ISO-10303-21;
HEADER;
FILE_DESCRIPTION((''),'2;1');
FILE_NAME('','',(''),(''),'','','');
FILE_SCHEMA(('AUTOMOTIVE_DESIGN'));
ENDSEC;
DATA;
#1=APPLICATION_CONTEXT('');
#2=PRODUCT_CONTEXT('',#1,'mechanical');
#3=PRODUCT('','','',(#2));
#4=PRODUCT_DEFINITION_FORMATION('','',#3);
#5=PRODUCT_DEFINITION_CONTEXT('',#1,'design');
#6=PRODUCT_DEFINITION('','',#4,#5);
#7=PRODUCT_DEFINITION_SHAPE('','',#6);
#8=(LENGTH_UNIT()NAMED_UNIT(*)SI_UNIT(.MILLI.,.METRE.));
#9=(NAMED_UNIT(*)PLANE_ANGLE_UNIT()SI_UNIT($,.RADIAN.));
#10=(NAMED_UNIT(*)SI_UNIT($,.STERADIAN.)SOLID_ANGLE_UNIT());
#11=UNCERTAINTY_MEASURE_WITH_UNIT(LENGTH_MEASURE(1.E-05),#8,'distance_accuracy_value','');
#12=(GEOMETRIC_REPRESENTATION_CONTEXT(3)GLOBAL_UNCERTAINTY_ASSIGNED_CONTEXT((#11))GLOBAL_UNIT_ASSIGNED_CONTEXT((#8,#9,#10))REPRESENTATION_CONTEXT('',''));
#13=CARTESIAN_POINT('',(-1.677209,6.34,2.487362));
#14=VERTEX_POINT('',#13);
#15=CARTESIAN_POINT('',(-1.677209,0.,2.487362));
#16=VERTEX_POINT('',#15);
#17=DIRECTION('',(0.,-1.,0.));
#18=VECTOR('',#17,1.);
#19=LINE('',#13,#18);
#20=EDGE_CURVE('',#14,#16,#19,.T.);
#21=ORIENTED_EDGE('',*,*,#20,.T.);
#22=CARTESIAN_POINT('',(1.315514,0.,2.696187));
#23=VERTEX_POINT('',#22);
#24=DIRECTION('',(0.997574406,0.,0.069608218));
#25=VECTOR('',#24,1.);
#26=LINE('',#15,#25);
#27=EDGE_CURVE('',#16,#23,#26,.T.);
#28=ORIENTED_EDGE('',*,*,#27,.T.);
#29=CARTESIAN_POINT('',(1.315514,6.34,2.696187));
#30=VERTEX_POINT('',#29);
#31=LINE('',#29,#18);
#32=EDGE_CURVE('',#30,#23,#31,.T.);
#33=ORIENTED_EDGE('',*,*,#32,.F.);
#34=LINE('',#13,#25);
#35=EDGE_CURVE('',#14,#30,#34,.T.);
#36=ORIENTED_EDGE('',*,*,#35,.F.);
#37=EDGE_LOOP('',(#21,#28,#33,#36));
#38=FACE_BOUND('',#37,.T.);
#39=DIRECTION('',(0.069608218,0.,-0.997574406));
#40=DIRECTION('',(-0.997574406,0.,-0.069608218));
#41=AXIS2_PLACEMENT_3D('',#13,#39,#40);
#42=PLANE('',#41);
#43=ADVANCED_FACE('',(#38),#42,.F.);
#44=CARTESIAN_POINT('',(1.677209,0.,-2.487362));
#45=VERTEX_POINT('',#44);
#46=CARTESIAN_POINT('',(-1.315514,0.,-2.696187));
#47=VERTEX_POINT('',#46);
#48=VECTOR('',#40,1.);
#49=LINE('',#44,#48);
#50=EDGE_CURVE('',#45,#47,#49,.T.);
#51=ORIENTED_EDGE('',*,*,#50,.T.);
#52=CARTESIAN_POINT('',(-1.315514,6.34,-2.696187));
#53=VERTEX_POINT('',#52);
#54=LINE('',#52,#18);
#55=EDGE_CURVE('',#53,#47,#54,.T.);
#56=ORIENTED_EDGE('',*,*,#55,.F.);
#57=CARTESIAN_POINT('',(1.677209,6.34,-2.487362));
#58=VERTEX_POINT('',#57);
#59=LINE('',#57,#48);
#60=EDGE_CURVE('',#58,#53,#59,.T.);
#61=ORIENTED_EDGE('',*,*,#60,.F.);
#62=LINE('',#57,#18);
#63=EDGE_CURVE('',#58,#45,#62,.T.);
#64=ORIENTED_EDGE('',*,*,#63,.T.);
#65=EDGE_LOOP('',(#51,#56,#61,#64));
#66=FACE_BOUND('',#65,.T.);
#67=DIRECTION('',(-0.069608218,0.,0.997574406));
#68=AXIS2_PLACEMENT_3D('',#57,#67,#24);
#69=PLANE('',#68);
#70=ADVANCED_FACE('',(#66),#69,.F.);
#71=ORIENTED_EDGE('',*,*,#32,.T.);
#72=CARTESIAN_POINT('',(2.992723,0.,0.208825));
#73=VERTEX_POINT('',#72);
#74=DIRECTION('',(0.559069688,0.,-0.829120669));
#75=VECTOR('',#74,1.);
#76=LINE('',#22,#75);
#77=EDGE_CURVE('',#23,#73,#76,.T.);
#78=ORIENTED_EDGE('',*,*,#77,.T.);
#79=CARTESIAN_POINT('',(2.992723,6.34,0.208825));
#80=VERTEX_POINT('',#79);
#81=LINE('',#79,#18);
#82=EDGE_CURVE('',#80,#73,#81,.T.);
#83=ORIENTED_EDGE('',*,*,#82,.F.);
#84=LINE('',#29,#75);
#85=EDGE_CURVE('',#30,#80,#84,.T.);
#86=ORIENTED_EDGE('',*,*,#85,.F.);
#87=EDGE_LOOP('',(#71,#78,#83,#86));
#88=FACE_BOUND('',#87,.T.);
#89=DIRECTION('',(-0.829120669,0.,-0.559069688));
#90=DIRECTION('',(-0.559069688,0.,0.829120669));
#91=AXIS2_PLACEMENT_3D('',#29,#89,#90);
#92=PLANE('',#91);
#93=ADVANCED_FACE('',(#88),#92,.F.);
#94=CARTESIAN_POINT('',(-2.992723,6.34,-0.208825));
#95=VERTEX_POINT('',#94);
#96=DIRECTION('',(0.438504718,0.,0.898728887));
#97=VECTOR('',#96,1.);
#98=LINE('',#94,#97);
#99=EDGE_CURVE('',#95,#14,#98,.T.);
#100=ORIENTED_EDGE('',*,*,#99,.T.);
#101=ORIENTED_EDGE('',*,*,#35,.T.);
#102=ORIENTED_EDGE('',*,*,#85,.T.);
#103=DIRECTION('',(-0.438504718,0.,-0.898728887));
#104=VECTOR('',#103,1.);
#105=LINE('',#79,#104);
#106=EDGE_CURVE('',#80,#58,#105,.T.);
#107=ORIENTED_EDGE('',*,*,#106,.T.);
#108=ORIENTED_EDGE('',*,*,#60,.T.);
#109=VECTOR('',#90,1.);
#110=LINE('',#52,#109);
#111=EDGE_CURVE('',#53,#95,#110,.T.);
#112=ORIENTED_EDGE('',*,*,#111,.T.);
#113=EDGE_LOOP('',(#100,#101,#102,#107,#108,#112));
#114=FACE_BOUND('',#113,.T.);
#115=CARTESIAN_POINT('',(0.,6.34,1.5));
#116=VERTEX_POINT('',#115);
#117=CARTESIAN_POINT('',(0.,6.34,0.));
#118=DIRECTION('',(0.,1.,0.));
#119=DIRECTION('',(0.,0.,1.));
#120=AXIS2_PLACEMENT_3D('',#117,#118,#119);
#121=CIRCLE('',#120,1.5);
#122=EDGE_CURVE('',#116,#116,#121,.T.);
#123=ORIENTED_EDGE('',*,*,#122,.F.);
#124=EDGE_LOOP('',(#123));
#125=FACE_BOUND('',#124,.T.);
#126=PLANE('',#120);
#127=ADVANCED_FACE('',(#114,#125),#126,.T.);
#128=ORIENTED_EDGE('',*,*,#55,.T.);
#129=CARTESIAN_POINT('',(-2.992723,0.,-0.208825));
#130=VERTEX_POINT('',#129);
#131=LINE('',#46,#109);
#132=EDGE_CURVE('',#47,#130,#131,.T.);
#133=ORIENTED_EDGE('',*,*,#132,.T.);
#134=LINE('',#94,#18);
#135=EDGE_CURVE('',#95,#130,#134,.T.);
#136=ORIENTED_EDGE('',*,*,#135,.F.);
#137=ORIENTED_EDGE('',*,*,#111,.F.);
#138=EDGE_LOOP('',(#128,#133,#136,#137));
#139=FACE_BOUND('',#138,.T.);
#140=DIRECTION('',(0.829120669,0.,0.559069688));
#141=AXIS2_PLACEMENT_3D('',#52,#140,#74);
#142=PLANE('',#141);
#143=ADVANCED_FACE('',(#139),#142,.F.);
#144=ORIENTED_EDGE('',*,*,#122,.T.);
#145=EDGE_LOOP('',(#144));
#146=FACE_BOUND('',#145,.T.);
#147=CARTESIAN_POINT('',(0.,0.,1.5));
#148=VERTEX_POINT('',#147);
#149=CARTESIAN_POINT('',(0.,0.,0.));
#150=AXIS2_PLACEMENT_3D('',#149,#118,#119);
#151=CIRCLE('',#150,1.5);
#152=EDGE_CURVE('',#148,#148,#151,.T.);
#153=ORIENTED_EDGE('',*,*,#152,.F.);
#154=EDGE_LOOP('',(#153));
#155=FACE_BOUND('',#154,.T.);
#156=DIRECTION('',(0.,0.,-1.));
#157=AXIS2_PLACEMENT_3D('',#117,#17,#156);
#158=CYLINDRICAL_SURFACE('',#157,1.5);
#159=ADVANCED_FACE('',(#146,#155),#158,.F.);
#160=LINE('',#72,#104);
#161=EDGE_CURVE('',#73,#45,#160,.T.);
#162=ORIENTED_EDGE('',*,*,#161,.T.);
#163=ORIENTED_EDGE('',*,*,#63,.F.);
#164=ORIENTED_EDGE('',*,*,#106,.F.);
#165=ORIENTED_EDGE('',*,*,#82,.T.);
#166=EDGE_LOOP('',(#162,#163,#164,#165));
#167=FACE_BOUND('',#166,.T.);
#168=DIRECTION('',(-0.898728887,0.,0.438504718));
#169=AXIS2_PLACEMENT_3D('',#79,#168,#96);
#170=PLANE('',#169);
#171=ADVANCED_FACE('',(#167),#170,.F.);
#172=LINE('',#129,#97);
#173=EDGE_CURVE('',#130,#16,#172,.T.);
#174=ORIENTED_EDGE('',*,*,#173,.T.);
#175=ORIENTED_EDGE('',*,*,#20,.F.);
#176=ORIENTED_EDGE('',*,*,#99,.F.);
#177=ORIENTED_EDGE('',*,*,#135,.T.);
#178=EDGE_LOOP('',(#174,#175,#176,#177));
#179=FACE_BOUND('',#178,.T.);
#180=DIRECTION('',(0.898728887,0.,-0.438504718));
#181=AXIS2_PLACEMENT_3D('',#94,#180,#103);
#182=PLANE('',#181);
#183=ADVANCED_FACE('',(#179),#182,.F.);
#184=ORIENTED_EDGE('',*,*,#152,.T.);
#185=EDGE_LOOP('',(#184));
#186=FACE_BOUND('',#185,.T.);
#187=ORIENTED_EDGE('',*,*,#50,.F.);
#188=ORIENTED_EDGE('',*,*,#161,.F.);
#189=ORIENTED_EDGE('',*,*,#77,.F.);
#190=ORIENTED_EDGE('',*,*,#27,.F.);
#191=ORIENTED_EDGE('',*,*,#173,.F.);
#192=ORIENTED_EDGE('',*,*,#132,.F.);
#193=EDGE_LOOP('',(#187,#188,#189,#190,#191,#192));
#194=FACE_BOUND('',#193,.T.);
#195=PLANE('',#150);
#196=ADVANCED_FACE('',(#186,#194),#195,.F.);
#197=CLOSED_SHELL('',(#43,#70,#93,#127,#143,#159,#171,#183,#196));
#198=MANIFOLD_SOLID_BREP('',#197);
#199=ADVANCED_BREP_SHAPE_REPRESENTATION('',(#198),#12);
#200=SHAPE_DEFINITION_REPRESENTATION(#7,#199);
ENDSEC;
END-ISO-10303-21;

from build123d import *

# Parameters (mm, degrees)
SKETCH_1_R      = 1.5
EXTRUDE_1_DEPTH = 6.34


with BuildPart() as part:
    # 草图1 → 凸台-拉伸1 (new body)
    with BuildSketch(Plane(origin=(0, 0, 0), x_dir=(1, 0, 0), z_dir=(0, 1, 0))):
        Polygon((-2.992723219, 0.208824653), (-1.677209063, -2.487362008), (1.315514155, -2.69618666), (2.992723219, -0.208824653), (1.677209063, 2.487362008), (-1.315514155, 2.69618666), align=None)
        with Locations(Location((0, 0, 0), (0, 0, 270))):
            Circle(SKETCH_1_R, mode=Mode.SUBTRACT)
    extrude(amount=EXTRUDE_1_DEPTH)


solid = part.part
